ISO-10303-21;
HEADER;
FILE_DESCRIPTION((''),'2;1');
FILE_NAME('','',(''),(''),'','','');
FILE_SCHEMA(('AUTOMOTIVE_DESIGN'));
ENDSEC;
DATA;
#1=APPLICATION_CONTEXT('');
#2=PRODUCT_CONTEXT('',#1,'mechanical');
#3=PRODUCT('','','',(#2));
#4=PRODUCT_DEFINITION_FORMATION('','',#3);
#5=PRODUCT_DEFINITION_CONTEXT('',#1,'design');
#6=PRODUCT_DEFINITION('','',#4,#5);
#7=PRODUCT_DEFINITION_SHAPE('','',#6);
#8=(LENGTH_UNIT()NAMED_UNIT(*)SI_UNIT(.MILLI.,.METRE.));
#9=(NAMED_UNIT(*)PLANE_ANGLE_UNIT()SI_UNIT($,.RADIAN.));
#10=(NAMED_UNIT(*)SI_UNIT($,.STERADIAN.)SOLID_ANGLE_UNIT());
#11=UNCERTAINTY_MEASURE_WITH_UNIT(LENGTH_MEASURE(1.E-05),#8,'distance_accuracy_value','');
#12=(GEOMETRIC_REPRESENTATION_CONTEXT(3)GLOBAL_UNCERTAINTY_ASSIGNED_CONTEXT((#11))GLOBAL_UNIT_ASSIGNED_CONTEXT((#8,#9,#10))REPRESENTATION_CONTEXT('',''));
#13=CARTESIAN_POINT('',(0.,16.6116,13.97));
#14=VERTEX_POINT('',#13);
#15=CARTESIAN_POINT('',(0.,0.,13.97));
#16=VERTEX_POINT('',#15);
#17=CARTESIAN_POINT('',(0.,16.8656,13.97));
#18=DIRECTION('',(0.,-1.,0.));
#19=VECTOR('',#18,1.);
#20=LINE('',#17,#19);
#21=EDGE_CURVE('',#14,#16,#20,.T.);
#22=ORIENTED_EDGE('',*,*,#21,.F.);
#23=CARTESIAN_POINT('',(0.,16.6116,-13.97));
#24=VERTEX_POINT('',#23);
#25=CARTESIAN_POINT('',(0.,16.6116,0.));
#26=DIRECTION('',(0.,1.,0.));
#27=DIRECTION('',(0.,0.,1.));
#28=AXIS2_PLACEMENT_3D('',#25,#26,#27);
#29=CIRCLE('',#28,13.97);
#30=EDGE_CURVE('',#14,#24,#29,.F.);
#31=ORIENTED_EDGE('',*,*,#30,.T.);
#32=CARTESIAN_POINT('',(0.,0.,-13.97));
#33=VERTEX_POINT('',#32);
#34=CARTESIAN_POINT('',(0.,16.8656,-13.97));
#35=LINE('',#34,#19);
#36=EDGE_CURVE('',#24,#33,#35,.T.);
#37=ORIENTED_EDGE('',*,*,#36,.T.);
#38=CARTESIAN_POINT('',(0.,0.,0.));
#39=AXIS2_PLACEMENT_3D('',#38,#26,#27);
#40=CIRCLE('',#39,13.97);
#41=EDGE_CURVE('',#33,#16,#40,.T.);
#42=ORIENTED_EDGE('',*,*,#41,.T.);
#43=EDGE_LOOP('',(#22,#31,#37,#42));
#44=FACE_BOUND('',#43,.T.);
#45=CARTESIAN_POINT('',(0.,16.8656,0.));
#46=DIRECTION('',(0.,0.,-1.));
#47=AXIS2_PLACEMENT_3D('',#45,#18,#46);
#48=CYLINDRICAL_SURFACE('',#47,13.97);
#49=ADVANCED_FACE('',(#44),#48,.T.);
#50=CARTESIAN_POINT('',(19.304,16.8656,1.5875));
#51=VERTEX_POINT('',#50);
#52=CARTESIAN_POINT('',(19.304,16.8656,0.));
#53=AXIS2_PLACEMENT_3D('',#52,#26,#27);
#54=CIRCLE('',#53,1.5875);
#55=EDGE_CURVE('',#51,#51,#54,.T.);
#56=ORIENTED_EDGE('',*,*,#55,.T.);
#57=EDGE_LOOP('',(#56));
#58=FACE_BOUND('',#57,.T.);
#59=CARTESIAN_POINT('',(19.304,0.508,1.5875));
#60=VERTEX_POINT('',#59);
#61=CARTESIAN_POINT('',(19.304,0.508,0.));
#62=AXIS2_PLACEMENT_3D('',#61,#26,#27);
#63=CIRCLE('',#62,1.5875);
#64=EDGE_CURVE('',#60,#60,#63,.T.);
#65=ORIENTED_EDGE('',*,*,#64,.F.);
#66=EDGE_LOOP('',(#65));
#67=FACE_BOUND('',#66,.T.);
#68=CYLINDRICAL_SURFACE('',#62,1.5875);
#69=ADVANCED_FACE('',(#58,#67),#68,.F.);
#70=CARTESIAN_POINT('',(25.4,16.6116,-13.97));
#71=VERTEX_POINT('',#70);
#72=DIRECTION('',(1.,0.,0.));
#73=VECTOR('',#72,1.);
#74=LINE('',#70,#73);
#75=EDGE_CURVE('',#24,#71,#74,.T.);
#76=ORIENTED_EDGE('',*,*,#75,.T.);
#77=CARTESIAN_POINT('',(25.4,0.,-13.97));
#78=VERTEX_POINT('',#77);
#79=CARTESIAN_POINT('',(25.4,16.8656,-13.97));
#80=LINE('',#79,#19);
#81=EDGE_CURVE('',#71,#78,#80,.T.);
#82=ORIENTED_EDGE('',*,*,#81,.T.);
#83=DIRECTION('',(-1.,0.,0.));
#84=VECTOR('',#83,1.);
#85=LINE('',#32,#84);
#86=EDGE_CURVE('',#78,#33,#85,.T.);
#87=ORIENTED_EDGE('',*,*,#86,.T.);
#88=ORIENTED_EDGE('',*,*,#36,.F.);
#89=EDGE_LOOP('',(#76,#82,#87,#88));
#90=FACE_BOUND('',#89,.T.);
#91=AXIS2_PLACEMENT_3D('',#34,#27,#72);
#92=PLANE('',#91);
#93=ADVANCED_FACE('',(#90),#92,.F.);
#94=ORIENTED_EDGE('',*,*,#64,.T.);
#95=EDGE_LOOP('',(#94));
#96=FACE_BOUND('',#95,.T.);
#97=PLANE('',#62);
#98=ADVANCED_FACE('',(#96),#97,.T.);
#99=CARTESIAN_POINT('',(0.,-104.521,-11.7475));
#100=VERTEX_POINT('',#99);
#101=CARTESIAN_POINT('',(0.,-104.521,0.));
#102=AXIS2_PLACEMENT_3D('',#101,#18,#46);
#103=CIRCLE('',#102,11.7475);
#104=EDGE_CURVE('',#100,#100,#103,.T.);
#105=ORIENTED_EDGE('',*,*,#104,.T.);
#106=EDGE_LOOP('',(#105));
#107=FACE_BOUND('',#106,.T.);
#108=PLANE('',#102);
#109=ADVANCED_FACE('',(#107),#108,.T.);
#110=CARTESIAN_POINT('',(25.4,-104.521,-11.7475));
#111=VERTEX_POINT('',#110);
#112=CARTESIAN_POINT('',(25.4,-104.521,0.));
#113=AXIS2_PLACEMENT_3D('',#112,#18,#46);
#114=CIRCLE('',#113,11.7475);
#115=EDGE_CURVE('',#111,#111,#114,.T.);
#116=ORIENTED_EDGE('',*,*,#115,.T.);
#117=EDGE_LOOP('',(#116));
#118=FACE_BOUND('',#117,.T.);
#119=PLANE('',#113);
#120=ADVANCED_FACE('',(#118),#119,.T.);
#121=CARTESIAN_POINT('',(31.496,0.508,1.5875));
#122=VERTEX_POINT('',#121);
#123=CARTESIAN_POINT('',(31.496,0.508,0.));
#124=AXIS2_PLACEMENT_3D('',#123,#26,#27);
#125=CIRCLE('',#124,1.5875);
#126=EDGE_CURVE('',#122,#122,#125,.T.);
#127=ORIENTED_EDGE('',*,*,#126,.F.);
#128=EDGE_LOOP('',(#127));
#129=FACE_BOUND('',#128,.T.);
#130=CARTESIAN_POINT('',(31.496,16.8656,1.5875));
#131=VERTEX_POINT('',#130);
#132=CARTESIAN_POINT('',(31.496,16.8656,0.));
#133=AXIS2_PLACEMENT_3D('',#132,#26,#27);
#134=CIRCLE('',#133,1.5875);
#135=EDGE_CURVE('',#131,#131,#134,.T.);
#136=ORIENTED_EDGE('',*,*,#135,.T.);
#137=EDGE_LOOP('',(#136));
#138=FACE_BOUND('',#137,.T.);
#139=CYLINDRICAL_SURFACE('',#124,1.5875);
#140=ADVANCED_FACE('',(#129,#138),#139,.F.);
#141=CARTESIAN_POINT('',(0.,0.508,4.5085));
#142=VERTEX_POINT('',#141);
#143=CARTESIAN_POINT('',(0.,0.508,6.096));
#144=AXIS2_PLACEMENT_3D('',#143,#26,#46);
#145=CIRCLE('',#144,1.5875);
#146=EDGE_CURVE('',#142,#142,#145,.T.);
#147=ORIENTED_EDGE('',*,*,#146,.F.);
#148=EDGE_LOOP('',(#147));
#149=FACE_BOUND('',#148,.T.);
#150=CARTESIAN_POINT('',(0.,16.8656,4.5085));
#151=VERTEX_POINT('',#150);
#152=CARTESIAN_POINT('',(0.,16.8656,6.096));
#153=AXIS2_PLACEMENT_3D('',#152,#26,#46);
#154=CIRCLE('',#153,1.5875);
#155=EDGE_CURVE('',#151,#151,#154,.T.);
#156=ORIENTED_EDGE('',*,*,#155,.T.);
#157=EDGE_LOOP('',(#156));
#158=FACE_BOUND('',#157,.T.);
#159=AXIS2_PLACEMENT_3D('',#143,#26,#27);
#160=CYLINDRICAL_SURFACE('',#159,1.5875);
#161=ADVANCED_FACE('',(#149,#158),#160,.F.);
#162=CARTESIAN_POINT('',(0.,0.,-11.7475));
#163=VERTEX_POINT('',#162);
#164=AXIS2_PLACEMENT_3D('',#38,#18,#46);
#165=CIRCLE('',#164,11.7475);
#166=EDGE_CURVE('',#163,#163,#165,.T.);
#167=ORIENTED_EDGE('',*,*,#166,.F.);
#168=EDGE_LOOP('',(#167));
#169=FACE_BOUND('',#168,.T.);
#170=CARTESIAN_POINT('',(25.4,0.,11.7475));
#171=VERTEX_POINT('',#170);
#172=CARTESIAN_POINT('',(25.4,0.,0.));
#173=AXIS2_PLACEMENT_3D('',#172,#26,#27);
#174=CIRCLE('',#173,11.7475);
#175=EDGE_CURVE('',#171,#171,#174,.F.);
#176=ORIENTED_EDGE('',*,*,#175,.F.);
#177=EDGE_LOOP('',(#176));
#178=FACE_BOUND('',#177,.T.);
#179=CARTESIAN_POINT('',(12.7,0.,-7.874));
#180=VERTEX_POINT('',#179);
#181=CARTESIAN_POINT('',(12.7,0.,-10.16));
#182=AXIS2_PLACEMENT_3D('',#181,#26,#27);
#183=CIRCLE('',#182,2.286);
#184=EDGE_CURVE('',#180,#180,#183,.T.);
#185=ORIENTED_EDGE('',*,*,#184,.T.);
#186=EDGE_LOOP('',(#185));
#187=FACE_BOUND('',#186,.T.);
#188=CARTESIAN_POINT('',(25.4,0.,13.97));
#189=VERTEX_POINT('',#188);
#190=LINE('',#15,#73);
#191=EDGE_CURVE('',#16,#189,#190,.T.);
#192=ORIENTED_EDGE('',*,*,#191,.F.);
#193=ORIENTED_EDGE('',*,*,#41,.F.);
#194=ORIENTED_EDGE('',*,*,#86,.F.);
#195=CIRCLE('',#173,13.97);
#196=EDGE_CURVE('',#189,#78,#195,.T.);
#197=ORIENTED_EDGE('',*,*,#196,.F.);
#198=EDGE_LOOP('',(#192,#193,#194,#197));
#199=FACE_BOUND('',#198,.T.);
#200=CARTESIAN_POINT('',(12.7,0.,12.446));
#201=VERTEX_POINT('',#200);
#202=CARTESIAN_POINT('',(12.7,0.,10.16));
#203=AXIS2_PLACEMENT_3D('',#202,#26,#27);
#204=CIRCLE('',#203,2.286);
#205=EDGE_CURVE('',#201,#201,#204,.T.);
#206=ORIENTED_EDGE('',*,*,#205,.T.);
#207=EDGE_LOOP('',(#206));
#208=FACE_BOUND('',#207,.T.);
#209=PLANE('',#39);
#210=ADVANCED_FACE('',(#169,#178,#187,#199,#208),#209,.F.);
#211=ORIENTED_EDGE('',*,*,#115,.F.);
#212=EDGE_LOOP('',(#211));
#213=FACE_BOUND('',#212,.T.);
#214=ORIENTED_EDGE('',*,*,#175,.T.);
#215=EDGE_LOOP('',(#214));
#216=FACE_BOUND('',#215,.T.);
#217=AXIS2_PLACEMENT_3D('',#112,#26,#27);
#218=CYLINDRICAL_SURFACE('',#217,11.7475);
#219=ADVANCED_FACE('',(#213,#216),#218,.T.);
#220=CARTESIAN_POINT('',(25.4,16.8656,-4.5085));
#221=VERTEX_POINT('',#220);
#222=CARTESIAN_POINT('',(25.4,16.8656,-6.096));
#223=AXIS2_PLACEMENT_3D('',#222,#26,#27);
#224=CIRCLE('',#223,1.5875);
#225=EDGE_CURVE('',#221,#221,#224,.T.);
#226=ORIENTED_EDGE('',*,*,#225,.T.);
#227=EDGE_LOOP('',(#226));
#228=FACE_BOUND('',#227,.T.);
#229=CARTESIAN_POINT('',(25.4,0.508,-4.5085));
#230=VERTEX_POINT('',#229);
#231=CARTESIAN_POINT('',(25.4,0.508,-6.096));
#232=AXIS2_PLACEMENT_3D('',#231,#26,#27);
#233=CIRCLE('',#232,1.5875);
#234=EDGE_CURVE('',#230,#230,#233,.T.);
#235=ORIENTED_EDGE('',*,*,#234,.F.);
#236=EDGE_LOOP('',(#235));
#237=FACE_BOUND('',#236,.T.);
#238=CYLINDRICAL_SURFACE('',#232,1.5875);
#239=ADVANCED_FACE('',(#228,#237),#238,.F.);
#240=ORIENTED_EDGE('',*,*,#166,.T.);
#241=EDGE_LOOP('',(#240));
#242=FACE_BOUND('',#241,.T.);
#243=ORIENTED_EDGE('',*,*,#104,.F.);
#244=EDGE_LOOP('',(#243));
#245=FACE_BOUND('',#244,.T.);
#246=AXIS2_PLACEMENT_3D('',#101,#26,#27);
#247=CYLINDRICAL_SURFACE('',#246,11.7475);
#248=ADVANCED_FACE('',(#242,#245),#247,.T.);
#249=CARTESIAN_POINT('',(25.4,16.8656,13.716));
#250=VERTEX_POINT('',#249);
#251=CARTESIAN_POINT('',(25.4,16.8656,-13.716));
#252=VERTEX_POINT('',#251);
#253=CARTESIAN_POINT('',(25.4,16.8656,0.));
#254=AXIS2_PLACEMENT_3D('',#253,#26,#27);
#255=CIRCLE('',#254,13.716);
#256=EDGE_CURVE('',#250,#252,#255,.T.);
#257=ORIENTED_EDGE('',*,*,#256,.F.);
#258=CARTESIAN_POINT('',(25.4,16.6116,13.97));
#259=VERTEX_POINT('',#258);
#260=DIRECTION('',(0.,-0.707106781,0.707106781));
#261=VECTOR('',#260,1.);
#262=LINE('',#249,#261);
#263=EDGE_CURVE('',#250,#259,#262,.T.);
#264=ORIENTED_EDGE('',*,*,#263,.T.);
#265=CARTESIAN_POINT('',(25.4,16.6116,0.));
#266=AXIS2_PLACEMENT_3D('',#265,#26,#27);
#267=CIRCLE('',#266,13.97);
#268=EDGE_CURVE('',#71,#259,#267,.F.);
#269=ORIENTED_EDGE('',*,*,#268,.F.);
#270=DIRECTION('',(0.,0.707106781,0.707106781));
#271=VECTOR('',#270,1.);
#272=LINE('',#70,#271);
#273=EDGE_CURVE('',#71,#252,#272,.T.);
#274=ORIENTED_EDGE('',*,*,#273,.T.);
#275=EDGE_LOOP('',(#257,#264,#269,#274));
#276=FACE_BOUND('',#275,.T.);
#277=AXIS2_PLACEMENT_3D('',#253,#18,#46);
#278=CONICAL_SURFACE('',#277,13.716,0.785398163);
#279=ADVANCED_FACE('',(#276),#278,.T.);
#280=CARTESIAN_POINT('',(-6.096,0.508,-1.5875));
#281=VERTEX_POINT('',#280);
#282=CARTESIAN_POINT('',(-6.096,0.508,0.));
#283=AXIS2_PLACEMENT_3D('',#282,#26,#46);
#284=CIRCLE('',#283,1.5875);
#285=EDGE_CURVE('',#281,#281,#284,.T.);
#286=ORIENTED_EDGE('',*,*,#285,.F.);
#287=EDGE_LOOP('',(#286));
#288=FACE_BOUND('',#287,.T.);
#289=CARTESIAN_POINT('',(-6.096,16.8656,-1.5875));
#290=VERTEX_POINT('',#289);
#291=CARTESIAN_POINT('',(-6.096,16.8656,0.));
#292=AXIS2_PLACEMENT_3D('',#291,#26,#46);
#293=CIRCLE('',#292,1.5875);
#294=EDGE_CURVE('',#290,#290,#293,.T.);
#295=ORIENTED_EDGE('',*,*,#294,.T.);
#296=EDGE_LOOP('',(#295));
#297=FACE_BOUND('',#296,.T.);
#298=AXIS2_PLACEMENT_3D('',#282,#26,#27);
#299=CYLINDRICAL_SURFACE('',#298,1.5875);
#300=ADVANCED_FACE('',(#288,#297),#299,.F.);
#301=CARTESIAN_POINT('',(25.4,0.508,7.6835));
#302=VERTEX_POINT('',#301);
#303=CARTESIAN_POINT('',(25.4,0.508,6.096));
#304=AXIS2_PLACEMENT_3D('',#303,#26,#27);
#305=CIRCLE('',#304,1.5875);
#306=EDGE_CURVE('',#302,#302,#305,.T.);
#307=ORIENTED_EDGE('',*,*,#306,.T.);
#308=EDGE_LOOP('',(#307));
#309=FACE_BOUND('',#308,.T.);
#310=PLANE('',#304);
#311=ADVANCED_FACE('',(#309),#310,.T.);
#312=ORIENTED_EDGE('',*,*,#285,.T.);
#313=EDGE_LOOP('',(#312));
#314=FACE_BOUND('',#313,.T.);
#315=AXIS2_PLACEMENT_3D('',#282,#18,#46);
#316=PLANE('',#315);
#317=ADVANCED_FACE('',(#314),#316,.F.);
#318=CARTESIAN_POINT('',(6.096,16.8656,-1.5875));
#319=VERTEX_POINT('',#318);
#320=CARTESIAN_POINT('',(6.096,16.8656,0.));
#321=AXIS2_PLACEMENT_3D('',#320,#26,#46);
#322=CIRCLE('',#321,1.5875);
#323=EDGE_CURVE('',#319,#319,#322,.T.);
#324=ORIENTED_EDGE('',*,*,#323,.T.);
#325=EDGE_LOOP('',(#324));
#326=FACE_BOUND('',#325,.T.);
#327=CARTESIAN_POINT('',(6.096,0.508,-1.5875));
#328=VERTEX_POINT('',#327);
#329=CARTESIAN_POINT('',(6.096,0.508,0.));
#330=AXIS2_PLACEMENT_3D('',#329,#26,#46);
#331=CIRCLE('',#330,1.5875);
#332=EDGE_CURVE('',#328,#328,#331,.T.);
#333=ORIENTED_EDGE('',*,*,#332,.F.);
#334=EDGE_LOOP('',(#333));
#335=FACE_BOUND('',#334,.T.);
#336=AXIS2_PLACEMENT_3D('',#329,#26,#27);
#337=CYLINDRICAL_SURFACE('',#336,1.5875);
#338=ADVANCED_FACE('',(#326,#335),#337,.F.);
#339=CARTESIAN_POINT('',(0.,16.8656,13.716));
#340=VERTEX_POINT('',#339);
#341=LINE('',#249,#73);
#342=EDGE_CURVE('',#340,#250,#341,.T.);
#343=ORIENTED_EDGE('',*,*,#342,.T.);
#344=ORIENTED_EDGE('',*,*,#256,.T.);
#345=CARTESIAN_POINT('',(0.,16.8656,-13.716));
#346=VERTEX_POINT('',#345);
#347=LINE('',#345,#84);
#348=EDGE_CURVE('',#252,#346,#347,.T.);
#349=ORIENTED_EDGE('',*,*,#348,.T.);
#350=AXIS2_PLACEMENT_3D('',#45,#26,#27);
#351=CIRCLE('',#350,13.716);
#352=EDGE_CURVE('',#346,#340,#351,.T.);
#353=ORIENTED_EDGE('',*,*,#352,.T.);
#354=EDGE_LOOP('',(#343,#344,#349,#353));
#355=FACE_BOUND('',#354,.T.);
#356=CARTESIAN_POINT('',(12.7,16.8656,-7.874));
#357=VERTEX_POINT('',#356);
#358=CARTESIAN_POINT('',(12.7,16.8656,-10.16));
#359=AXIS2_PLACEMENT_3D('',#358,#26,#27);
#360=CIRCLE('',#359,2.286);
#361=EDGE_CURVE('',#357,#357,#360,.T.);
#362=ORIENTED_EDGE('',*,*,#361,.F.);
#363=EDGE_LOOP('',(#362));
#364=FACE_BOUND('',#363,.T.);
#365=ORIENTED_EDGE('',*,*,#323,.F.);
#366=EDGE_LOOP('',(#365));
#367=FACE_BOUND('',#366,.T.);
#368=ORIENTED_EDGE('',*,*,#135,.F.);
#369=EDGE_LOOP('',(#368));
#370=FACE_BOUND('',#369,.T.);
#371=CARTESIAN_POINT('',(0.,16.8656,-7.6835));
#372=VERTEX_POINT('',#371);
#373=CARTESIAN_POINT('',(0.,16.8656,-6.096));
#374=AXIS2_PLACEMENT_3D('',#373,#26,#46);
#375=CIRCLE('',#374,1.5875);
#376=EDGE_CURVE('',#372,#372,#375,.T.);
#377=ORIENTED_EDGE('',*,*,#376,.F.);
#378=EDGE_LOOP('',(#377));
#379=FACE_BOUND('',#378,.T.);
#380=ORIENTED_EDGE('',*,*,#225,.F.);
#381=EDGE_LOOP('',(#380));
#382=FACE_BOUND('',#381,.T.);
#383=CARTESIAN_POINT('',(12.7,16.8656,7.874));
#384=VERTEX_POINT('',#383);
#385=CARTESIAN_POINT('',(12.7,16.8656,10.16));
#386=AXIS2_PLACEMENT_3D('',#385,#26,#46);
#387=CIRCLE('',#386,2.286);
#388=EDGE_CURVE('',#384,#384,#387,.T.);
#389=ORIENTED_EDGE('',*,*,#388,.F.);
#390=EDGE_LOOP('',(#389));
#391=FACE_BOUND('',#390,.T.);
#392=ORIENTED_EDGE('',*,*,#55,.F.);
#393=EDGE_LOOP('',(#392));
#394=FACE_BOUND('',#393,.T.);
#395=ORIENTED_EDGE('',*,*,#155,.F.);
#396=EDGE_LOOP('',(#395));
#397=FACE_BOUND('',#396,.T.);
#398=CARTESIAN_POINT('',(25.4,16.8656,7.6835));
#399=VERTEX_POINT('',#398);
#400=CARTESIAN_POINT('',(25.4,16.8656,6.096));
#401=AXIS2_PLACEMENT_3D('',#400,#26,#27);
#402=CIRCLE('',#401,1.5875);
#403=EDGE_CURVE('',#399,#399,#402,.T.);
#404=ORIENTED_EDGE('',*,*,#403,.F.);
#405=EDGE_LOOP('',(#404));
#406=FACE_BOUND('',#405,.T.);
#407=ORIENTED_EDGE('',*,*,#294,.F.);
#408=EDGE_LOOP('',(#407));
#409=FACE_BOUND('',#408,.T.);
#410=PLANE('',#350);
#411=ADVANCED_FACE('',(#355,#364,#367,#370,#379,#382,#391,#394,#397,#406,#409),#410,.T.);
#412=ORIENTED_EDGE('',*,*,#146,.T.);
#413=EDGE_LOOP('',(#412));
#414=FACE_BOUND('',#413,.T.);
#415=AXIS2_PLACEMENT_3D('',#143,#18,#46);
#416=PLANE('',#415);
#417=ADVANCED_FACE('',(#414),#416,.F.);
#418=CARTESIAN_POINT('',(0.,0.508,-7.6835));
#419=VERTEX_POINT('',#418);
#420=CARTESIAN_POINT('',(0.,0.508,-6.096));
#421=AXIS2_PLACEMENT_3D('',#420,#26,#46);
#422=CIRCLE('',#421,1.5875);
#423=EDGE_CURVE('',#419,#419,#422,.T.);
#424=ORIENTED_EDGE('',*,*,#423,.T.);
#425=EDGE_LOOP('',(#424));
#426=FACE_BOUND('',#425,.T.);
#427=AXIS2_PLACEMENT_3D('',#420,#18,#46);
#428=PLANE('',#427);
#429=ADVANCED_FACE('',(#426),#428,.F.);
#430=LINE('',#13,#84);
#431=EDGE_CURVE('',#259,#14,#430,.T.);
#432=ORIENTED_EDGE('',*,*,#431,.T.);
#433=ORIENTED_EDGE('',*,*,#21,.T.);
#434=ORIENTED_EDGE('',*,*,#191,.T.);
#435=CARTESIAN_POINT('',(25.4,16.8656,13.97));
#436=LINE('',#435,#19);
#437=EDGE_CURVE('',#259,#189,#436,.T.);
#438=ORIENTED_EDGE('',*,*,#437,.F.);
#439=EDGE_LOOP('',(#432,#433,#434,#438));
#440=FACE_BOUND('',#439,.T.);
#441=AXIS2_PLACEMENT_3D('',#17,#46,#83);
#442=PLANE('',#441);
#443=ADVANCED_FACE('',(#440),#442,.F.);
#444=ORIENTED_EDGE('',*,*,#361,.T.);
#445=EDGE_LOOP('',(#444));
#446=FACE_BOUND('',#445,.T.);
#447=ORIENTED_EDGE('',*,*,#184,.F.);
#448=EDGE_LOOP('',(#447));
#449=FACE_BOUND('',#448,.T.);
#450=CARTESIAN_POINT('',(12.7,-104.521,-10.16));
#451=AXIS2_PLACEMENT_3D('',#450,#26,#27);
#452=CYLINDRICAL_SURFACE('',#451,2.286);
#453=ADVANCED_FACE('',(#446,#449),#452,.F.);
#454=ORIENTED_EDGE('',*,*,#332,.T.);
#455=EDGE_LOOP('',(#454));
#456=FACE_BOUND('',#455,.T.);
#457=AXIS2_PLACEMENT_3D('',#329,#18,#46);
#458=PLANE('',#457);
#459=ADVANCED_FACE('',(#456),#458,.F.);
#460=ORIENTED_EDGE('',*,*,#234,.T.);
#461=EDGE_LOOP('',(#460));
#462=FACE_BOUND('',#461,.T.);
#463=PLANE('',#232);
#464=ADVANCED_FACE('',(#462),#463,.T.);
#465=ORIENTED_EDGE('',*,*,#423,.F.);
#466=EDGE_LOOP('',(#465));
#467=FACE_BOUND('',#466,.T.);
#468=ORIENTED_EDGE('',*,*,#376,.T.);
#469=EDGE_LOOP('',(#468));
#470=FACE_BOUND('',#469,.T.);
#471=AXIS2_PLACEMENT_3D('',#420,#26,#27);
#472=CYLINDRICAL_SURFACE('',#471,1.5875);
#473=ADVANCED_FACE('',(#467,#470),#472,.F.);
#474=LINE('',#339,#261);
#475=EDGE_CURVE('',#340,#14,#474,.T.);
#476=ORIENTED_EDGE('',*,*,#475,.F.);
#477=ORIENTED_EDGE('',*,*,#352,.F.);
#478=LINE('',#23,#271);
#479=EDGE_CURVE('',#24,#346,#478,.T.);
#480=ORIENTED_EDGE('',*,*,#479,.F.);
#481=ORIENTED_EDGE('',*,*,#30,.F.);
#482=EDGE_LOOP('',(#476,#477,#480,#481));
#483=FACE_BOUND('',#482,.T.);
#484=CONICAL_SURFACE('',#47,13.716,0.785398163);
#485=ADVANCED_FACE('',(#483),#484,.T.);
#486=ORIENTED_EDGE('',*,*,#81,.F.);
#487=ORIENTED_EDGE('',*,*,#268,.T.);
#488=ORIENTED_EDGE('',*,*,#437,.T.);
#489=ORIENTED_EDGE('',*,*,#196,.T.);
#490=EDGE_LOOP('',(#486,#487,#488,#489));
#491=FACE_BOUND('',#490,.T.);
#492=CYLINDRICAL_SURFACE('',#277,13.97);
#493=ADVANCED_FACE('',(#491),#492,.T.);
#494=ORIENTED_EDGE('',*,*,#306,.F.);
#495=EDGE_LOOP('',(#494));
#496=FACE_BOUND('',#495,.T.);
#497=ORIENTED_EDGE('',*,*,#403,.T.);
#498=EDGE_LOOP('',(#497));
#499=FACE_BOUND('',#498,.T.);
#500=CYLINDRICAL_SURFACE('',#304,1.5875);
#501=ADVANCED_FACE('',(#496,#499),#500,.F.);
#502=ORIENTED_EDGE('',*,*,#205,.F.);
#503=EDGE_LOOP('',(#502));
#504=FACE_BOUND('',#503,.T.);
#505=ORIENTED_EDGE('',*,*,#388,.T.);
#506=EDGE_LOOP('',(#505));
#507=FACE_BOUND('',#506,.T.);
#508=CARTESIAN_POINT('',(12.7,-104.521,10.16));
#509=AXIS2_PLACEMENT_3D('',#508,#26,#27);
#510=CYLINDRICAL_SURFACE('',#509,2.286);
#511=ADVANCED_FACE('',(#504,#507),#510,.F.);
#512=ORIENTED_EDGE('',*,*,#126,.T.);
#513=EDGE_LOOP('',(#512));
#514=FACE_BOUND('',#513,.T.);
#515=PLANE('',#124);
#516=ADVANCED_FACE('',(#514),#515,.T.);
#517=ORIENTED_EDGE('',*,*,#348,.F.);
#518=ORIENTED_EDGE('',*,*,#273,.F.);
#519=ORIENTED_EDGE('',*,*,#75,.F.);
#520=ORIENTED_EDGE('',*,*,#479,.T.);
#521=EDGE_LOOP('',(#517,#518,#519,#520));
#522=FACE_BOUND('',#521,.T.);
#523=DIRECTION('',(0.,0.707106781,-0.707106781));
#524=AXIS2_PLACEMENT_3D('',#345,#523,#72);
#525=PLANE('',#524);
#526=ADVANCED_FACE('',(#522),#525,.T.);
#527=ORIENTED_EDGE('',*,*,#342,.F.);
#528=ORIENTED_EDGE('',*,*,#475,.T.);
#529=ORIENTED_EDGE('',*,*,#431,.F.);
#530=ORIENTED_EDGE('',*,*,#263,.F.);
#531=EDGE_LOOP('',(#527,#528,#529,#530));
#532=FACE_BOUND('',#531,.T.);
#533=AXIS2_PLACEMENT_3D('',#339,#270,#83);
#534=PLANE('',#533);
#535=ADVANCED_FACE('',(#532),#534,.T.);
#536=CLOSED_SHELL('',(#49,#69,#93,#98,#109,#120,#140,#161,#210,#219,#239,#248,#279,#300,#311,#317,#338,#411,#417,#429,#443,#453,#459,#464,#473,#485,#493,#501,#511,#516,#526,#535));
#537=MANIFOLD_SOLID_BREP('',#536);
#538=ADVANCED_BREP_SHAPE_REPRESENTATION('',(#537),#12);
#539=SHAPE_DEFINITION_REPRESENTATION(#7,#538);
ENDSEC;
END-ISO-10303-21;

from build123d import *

# Parameters (mm, degrees)
BOSS_EXTRUDE1_DEPTH = 16.8656
CHAMFER1_SIZE       = 0.254
SKETCH2_R           = 11.7475
BOSS_EXTRUDE2_DEPTH = 104.521
SKETCH3_R           = 1.5875
CUT_EXTRUDE1_DEPTH  = 16.3576
SKETCH4_R           = 2.286
CUT_EXTRUDE2_DEPTH  = 122.3866


with BuildPart() as part:
    # Sketch1 → Boss-Extrude1 (new body)
    with BuildSketch(Plane(origin=(0, 0, 0), x_dir=(1, 0, 0), z_dir=(0, 1, 0))):
        with BuildLine():
            Line((0, 13.97), (25.4, 13.97))
            ThreePointArc((25.4, 13.97), (39.37, 0), (25.4, -13.97))
            Line((25.4, -13.97), (0, -13.97))
            ThreePointArc((0, -13.97), (-13.97, 0), (0, 13.97))
        make_face()
    extrude(amount=BOSS_EXTRUDE1_DEPTH)

    # Chamfer1
    chamfer1_edges = [part.edges().sort_by_distance(p)[0] for p in [
        (39.37, 16.8656, 0),
        (12.7, 16.8656, -13.97),
        (-13.97, 16.8656, 0),
        (12.7, 16.8656, 13.97),
    ]]
    chamfer(chamfer1_edges, length=CHAMFER1_SIZE)

    # Sketch2 → Boss-Extrude2 (add)
    with BuildSketch(Plane.XZ):
        Circle(SKETCH2_R)
        with Locations((25.4, 0)):
            Circle(SKETCH2_R)
    extrude(amount=BOSS_EXTRUDE2_DEPTH)

    # Sketch3 → Cut-Extrude1 (cut)
    with BuildSketch(Plane(origin=(0, 16.8656, 0), x_dir=(1, 0, 0), z_dir=(0, 1, 0))):
        with Locations((25.4, 6.096)):
            Circle(SKETCH3_R)
        with Locations((31.496, 0)):
            Circle(SKETCH3_R)
        with Locations((25.4, -6.096)):
            Circle(SKETCH3_R)
        with Locations((19.304, 0)):
            Circle(SKETCH3_R)
        with Locations((-6.096, 0)):
            Circle(SKETCH3_R)
        with Locations((6.096, 0)):
            Circle(SKETCH3_R)
        with Locations((0, -6.096)):
            Circle(SKETCH3_R)
        with Locations((0, 6.096)):
            Circle(SKETCH3_R)
    extrude(amount=-CUT_EXTRUDE1_DEPTH, mode=Mode.SUBTRACT)

    # Sketch4 → Cut-Extrude2 (cut, through all)
    with BuildSketch(Plane(origin=(0, 16.8656, 0), x_dir=(1, 0, 0), z_dir=(0, 1, 0))):
        with Locations((12.7, 10.16)):
            Circle(SKETCH4_R)
        with Locations((12.7, -10.16)):
            Circle(SKETCH4_R)
    extrude(amount=-CUT_EXTRUDE2_DEPTH, mode=Mode.SUBTRACT)


solid = part.part
